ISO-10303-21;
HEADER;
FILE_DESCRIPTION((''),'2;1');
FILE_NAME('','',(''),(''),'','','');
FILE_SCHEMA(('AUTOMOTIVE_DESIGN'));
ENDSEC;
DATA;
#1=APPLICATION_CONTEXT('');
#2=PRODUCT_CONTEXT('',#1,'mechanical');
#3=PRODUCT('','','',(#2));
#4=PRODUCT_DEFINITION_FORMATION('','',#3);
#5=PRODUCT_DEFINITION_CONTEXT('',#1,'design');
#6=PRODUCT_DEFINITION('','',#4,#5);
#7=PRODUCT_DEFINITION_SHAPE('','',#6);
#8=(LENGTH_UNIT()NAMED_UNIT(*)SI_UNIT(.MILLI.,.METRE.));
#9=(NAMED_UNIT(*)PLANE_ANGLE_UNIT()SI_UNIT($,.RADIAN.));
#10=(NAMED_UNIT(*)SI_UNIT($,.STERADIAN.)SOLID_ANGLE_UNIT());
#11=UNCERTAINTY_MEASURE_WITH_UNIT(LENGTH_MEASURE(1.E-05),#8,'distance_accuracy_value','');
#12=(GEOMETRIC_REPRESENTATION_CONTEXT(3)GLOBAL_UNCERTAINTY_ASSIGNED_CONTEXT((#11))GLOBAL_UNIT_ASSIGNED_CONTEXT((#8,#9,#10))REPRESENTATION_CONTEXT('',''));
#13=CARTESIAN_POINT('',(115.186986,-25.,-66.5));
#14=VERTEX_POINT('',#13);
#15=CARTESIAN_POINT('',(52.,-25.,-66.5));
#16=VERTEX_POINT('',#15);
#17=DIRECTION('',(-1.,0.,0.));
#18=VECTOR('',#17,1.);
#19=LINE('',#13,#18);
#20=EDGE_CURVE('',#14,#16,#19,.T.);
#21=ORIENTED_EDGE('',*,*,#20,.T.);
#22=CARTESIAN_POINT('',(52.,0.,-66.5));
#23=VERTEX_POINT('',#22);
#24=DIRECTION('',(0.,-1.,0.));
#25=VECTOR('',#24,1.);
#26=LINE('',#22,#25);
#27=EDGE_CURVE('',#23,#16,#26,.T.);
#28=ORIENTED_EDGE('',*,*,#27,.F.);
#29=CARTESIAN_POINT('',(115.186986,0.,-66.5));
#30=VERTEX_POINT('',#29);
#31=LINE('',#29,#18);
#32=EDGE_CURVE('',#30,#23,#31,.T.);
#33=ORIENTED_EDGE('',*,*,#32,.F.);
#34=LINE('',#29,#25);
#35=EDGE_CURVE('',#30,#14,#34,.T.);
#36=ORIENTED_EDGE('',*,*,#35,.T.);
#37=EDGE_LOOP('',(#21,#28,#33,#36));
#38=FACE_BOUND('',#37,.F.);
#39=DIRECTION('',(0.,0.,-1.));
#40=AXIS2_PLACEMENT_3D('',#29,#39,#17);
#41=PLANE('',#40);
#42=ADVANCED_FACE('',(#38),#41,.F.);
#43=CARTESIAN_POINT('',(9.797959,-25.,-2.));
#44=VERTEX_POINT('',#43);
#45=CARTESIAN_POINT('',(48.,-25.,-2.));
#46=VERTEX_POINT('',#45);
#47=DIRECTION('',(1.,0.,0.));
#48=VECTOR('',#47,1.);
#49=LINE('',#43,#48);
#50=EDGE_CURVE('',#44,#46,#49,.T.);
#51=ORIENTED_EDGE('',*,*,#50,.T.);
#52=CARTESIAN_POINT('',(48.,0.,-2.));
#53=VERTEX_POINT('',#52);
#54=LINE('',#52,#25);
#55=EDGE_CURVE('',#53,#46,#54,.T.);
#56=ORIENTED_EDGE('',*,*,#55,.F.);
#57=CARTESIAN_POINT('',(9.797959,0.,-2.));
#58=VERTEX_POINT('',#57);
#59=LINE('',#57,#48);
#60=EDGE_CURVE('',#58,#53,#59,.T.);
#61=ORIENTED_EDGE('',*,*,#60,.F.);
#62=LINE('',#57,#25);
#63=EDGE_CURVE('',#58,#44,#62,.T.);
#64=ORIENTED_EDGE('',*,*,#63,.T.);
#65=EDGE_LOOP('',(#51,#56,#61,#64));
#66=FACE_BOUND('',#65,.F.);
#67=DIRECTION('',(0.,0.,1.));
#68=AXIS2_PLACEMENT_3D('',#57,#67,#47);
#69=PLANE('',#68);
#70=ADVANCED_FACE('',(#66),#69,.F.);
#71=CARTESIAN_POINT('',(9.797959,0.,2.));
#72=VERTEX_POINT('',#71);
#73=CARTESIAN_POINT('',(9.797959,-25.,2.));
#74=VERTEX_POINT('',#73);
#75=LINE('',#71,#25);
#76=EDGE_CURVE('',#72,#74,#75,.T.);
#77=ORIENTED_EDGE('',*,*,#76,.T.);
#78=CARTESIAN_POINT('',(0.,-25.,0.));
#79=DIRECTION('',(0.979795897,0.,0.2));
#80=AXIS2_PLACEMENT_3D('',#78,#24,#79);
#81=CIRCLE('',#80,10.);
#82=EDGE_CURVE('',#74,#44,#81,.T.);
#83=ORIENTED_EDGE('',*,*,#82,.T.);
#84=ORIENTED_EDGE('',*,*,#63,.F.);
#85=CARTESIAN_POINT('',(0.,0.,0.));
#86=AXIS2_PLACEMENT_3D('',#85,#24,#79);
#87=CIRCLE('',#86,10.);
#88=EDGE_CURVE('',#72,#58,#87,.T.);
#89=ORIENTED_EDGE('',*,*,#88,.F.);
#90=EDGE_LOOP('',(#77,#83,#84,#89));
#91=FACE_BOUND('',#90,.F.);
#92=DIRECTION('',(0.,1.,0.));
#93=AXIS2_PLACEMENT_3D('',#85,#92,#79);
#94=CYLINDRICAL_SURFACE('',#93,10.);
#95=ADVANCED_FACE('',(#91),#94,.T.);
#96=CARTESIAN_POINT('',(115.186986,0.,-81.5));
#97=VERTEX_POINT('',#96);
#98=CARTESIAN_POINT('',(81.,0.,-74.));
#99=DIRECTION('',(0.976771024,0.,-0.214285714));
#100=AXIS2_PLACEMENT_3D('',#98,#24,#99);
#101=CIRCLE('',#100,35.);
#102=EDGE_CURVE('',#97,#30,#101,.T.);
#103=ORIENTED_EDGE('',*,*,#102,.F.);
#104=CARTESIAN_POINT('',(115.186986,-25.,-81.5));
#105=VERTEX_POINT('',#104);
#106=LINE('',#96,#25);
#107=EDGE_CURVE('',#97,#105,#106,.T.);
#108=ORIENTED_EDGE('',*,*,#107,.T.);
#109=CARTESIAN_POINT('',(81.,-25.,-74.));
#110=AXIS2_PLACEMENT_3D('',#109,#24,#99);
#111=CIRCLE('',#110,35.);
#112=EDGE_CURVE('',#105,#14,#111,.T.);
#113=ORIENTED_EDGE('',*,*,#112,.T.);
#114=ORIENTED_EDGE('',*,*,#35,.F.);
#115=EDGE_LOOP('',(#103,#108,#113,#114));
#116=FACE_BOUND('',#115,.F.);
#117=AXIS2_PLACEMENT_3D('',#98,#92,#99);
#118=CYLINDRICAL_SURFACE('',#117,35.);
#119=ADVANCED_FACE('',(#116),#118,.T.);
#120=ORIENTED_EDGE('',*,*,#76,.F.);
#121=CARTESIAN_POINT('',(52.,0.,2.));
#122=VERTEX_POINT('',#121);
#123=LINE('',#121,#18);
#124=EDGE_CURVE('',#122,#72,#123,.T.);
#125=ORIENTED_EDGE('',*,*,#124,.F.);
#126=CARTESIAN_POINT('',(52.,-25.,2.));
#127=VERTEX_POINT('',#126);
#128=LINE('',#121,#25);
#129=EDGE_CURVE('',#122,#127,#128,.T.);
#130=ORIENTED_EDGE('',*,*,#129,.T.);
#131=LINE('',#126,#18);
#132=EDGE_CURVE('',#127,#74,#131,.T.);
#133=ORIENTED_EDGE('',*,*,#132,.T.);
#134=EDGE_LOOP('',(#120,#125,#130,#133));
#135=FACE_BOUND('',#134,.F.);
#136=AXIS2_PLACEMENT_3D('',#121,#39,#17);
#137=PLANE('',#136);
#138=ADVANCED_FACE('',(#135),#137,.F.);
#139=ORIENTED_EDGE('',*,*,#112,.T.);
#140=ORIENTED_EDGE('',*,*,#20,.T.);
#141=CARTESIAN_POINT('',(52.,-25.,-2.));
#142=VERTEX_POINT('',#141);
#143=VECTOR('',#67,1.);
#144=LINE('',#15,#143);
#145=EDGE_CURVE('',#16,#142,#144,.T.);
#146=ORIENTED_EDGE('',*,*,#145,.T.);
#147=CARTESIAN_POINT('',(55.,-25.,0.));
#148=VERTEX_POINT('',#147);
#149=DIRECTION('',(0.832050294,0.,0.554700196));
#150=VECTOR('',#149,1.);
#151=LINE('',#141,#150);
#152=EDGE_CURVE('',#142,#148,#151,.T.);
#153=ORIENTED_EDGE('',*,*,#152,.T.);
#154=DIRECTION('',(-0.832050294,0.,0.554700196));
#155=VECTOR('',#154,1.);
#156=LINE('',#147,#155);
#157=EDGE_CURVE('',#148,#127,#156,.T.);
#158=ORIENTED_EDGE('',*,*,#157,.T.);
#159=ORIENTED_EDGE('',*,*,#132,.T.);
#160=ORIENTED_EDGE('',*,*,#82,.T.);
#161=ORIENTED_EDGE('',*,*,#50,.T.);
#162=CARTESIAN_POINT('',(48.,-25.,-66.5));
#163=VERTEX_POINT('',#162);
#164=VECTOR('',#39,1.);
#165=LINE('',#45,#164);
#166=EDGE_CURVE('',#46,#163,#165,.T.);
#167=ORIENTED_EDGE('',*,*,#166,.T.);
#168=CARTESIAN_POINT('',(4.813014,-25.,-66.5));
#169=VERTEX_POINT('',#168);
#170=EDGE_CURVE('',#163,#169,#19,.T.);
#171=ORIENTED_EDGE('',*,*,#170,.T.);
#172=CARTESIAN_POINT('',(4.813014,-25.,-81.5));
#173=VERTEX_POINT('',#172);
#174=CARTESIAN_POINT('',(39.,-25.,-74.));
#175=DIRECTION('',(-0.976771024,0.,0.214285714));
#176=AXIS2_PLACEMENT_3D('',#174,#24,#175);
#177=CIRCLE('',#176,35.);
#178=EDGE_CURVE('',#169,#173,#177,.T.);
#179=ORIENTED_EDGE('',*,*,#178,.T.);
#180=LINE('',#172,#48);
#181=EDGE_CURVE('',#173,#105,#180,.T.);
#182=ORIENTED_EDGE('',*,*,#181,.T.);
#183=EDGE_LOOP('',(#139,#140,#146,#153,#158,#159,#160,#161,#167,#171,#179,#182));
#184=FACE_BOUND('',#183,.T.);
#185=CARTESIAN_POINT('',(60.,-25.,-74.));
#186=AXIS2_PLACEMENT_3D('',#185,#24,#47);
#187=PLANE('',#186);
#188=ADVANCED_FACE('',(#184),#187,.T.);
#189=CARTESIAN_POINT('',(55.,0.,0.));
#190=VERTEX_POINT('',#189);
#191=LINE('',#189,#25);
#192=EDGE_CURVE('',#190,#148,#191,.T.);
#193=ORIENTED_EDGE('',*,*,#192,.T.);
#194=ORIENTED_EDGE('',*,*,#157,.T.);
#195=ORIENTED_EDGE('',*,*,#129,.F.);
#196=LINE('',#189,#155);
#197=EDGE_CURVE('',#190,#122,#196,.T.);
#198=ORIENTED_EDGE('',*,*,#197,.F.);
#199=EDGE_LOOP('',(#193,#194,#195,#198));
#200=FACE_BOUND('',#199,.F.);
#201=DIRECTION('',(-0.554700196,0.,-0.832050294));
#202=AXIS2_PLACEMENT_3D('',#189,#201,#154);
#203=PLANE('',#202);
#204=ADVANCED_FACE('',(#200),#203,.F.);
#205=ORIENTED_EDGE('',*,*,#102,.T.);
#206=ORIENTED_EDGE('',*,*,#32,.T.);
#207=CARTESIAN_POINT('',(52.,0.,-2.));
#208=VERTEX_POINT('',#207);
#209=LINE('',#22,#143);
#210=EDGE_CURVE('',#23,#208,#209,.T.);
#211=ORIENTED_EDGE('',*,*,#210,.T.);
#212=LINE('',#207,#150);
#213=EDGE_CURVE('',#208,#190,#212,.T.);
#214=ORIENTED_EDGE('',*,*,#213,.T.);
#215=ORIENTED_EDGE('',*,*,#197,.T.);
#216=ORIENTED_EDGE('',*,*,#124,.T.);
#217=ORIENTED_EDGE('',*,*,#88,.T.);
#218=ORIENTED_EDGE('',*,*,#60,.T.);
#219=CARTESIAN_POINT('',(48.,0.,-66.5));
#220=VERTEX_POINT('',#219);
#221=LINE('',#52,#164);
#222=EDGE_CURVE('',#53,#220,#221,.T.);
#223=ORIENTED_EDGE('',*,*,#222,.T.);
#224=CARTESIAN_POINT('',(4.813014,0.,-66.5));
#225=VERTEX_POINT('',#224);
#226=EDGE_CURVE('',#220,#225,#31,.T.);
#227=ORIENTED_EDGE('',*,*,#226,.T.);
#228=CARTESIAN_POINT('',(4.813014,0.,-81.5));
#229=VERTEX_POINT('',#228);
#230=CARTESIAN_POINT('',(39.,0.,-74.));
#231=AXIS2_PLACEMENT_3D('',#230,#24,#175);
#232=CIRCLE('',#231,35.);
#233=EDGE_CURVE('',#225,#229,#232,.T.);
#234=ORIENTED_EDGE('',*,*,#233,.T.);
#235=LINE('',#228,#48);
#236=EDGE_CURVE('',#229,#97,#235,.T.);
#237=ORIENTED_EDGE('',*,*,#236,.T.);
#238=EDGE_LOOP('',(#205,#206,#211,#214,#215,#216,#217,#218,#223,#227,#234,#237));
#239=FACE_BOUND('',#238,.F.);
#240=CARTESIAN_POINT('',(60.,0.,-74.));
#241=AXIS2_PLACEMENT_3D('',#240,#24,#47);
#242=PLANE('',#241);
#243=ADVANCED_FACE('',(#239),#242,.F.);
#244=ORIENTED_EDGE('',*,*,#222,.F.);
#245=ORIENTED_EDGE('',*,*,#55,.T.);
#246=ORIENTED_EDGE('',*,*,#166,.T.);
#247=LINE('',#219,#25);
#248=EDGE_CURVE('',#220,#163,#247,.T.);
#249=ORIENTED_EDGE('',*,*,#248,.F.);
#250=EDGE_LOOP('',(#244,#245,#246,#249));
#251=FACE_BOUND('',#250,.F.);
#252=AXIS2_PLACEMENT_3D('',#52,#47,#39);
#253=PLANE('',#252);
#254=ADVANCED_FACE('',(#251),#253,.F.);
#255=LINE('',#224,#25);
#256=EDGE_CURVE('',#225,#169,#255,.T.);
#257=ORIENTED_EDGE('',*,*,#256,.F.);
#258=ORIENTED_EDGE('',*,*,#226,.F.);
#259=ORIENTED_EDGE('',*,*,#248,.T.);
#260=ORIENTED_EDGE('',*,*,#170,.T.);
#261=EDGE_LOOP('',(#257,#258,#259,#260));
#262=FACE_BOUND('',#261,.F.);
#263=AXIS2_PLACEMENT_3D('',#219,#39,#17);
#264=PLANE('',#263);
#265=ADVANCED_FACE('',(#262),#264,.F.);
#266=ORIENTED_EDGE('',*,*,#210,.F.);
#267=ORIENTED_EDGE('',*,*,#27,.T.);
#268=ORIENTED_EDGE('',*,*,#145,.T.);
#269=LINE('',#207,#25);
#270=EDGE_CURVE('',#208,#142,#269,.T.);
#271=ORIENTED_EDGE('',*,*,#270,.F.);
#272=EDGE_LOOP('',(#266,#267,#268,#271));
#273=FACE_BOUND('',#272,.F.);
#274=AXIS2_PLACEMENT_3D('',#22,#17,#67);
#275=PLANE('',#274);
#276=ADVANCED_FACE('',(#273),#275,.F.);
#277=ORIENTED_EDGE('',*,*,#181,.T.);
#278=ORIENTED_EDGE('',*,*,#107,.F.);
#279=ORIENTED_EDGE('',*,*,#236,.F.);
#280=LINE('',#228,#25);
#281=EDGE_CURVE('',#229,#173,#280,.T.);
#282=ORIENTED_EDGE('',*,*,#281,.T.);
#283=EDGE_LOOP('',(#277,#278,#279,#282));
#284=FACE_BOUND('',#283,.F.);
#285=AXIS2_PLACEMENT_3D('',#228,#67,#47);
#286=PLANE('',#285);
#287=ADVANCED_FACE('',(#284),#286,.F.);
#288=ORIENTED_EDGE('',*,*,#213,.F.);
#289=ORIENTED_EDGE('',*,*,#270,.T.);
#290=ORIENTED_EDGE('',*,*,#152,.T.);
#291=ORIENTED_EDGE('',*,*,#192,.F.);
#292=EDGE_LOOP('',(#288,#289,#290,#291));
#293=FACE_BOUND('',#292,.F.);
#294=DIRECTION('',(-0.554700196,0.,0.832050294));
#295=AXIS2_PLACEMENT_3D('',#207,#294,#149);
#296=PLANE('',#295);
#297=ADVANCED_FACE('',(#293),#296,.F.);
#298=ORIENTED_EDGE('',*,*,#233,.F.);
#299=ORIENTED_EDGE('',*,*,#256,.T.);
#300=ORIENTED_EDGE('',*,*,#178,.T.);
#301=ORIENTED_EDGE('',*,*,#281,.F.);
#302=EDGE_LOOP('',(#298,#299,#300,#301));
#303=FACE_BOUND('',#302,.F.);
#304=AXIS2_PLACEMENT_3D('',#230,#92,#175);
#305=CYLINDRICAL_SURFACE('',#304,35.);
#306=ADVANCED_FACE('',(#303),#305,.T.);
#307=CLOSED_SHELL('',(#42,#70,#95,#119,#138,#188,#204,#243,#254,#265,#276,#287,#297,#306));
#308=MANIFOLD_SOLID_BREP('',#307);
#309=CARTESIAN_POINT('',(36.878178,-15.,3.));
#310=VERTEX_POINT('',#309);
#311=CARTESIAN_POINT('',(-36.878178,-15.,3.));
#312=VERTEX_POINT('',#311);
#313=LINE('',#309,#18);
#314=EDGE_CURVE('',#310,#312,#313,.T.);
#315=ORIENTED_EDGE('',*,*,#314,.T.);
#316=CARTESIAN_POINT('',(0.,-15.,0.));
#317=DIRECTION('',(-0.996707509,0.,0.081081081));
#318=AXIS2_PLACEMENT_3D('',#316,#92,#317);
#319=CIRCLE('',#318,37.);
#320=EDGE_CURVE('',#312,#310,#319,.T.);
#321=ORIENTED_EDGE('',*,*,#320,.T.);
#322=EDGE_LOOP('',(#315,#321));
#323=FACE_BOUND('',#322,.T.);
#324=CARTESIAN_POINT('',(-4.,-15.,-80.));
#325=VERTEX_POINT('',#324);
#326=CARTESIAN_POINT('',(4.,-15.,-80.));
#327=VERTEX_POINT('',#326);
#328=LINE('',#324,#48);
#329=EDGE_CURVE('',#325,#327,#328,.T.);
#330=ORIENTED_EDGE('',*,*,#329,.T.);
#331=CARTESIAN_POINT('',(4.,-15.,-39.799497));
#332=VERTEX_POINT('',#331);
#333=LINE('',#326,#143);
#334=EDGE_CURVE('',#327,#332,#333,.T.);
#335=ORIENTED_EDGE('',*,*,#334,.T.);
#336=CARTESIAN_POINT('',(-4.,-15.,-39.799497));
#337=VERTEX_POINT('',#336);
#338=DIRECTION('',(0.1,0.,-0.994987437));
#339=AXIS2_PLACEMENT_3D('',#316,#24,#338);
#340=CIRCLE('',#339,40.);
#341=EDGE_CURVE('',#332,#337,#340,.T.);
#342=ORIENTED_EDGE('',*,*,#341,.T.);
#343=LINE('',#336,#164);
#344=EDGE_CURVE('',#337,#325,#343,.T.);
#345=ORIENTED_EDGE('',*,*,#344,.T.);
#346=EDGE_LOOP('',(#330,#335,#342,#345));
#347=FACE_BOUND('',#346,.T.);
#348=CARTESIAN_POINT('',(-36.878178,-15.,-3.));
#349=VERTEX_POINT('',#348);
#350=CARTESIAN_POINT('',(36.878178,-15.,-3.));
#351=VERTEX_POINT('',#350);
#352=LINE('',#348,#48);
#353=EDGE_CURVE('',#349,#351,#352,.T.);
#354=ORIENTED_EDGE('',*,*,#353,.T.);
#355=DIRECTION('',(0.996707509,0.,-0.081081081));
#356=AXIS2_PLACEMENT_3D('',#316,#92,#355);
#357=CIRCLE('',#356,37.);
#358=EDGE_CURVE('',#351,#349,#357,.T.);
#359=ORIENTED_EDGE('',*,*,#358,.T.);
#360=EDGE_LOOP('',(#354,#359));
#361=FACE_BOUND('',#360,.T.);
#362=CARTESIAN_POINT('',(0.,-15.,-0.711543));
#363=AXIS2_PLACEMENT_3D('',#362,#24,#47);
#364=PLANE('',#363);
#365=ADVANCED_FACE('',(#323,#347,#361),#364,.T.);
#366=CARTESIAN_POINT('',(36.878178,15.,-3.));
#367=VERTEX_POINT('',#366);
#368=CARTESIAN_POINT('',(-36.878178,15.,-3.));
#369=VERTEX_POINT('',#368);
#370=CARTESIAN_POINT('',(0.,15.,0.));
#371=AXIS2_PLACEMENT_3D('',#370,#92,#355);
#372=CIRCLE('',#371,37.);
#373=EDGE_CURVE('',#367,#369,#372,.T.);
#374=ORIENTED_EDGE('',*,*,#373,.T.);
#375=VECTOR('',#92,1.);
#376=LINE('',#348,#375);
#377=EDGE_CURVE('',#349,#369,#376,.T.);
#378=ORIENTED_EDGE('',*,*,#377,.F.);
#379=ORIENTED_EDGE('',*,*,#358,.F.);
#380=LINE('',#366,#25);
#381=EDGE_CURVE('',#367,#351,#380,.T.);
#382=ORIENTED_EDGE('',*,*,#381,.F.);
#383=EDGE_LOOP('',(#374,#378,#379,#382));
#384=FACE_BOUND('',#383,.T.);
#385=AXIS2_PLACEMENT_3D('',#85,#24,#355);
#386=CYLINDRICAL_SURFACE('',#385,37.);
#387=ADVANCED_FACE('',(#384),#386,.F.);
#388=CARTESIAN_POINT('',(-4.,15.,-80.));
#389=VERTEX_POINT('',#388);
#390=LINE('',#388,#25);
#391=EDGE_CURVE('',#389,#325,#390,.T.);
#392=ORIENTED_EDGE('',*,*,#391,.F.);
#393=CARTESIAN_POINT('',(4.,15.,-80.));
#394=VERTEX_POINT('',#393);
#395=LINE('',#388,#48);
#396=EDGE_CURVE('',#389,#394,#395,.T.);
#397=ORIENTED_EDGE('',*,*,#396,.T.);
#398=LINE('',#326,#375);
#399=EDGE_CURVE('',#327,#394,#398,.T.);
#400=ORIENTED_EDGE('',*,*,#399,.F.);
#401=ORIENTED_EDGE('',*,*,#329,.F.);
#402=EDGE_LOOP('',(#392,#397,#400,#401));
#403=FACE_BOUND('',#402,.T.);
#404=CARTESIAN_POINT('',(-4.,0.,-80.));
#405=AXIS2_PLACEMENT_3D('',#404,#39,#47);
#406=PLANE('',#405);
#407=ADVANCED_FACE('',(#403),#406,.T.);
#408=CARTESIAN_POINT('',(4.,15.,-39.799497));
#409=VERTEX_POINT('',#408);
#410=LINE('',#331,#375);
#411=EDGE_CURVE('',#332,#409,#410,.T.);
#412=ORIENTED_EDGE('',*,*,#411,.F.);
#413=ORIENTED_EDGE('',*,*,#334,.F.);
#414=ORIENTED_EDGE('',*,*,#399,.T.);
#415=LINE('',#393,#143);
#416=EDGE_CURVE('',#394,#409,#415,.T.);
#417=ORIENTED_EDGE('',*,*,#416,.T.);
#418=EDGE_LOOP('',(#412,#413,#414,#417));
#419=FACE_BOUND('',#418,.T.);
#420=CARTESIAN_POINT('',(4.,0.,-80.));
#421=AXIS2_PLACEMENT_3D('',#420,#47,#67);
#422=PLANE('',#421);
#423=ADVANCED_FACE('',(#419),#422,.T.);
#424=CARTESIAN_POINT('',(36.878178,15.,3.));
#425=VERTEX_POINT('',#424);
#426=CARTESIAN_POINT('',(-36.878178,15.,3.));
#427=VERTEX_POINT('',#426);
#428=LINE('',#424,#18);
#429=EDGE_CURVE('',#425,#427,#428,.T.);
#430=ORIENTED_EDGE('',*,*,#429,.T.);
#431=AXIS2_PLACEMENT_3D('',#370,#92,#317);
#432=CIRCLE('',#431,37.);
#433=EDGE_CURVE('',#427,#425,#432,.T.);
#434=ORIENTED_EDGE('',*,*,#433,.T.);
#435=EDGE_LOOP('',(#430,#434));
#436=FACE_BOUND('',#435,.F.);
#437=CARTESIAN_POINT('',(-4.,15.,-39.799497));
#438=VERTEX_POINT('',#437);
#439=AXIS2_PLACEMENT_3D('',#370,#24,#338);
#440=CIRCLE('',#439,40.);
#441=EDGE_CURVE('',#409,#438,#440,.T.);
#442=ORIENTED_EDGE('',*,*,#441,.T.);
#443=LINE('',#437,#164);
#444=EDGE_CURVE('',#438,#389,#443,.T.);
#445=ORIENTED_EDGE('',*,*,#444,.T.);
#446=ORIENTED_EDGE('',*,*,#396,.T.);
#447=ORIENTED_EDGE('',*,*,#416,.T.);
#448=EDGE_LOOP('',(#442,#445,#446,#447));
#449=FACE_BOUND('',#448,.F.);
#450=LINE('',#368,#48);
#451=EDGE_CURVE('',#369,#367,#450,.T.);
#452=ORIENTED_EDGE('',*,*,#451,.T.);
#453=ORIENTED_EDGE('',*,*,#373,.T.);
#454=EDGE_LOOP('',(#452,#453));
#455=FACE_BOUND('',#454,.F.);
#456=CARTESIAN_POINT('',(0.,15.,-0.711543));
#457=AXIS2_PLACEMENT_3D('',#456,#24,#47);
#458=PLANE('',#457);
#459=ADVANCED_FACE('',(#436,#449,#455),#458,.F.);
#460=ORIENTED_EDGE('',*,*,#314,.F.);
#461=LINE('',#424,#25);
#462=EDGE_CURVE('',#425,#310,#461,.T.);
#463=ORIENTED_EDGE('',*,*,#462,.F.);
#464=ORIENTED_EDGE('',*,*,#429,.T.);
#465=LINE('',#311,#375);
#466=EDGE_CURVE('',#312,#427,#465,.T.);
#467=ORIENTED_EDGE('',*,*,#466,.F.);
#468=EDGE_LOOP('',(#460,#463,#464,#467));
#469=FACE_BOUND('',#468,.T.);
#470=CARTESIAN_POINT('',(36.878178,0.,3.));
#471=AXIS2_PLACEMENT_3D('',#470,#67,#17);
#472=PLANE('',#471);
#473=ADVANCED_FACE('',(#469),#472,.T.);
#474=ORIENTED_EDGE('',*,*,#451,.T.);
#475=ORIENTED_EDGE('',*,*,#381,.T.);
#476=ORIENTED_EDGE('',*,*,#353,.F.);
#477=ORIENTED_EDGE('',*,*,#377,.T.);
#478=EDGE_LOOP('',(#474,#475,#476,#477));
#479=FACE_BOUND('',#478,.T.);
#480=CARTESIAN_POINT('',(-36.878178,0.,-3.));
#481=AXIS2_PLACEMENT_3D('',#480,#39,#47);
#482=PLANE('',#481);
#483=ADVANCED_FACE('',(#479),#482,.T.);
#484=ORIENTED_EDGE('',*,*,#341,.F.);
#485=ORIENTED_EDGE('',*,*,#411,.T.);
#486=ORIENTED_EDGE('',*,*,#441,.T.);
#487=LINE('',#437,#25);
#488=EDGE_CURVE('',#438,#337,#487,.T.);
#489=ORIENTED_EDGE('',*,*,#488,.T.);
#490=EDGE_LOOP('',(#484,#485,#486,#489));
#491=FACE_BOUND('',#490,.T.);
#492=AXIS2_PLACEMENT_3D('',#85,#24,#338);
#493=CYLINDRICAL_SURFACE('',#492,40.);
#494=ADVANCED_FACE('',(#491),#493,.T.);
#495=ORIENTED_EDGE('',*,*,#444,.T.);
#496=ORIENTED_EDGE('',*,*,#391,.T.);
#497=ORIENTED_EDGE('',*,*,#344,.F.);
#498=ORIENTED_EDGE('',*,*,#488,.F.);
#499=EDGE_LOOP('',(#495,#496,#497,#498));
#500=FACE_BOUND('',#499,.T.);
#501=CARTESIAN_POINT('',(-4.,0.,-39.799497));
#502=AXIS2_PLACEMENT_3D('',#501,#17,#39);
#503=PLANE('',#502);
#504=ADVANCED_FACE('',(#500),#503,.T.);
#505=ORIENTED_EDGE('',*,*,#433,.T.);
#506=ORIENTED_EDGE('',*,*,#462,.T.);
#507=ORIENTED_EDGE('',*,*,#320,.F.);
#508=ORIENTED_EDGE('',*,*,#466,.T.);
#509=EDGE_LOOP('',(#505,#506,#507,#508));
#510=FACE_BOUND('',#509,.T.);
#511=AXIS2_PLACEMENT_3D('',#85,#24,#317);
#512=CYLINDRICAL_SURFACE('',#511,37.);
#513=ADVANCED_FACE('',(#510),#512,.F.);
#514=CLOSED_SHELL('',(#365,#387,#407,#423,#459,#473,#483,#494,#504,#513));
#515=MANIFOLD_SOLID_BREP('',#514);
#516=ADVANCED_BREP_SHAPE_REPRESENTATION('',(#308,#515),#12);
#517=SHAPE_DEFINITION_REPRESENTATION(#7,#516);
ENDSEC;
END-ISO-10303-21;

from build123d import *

# Parameters (mm, degrees)
F1_DEPTH = 15
F3_DEPTH = 25


with BuildPart() as f1:
    # F0 (on Front) → F1 (new body, symmetric)
    with BuildSketch(Plane.XZ):
        with BuildLine():
            ThreePointArc((4, -39.7994974843), (29.6647939484, -26.83281573), (40, 0))
            ThreePointArc((40, 0), (-26.83281573, 29.6647939484), (-4, -39.7994974843))
            ThreePointArc((-4, -39.7994974843), (0, -40), (4, -39.7994974843))
        make_face()
        with BuildLine():
            Line((36.8781778292, 3), (-36.8781778292, 3))
            ThreePointArc((-36.8781778292, 3), (0, 37), (36.8781778292, 3))
        make_face(mode=Mode.SUBTRACT)
        with BuildLine():
            ThreePointArc((36.8781778292, -3), (0, -37), (-36.8781778292, -3))
            Line((-36.8781778292, -3), (36.8781778292, -3))
        make_face(mode=Mode.SUBTRACT)
        with BuildLine():
            ThreePointArc((4, -39.7994974843), (0, -40), (-4, -39.7994974843))
            Line((-4, -39.7994974843), (-4, -80))
            Line((-4, -80), (4, -80))
            Line((4, -80), (4, -39.7994974843))
        make_face()
    extrude(amount=F1_DEPTH, both=True)


with BuildPart() as f3:
    # F2 (on Front) → F3 (new body)
    with BuildSketch(Plane.XZ):
        with BuildLine():
            Line((48, -66.5), (4.8130141721, -66.5))
            ThreePointArc((4.8130141721, -66.5), (4, -74), (4.8130141721, -81.5))
            Line((4.8130141721, -81.5), (115.1869858279, -81.5))
            ThreePointArc((115.1869858279, -81.5), (116, -74), (115.1869858279, -66.5))
            Line((115.1869858279, -66.5), (52, -66.5))
            Line((52, -66.5), (48, -66.5))
        make_face()
        with BuildLine():
            Line((48, -2), (48, -66.5))
            Line((48, -66.5), (52, -66.5))
            Line((52, -66.5), (52, -2))
            Line((52, -2), (55, 0))
            Line((55, 0), (52, 2))
            Line((52, 2), (9.7979589711, 2))
            ThreePointArc((9.7979589711, 2), (9.9493615301, 1.0050896201), (10, 0))
            ThreePointArc((10, 0), (9.9493615301, -1.0050896201), (9.7979589711, -2))
            Line((9.7979589711, -2), (48, -2))
        make_face()
        with BuildLine():
            ThreePointArc((9.7979589711, 2), (-10, 0), (9.7979589711, -2))
            ThreePointArc((9.7979589711, -2), (9.9493615301, -1.0050896201), (10, 0))
            ThreePointArc((10, 0), (9.9493615301, 1.0050896201), (9.7979589711, 2))
        make_face()
    extrude(amount=F3_DEPTH)


solid = Compound([f1.part, f3.part])
